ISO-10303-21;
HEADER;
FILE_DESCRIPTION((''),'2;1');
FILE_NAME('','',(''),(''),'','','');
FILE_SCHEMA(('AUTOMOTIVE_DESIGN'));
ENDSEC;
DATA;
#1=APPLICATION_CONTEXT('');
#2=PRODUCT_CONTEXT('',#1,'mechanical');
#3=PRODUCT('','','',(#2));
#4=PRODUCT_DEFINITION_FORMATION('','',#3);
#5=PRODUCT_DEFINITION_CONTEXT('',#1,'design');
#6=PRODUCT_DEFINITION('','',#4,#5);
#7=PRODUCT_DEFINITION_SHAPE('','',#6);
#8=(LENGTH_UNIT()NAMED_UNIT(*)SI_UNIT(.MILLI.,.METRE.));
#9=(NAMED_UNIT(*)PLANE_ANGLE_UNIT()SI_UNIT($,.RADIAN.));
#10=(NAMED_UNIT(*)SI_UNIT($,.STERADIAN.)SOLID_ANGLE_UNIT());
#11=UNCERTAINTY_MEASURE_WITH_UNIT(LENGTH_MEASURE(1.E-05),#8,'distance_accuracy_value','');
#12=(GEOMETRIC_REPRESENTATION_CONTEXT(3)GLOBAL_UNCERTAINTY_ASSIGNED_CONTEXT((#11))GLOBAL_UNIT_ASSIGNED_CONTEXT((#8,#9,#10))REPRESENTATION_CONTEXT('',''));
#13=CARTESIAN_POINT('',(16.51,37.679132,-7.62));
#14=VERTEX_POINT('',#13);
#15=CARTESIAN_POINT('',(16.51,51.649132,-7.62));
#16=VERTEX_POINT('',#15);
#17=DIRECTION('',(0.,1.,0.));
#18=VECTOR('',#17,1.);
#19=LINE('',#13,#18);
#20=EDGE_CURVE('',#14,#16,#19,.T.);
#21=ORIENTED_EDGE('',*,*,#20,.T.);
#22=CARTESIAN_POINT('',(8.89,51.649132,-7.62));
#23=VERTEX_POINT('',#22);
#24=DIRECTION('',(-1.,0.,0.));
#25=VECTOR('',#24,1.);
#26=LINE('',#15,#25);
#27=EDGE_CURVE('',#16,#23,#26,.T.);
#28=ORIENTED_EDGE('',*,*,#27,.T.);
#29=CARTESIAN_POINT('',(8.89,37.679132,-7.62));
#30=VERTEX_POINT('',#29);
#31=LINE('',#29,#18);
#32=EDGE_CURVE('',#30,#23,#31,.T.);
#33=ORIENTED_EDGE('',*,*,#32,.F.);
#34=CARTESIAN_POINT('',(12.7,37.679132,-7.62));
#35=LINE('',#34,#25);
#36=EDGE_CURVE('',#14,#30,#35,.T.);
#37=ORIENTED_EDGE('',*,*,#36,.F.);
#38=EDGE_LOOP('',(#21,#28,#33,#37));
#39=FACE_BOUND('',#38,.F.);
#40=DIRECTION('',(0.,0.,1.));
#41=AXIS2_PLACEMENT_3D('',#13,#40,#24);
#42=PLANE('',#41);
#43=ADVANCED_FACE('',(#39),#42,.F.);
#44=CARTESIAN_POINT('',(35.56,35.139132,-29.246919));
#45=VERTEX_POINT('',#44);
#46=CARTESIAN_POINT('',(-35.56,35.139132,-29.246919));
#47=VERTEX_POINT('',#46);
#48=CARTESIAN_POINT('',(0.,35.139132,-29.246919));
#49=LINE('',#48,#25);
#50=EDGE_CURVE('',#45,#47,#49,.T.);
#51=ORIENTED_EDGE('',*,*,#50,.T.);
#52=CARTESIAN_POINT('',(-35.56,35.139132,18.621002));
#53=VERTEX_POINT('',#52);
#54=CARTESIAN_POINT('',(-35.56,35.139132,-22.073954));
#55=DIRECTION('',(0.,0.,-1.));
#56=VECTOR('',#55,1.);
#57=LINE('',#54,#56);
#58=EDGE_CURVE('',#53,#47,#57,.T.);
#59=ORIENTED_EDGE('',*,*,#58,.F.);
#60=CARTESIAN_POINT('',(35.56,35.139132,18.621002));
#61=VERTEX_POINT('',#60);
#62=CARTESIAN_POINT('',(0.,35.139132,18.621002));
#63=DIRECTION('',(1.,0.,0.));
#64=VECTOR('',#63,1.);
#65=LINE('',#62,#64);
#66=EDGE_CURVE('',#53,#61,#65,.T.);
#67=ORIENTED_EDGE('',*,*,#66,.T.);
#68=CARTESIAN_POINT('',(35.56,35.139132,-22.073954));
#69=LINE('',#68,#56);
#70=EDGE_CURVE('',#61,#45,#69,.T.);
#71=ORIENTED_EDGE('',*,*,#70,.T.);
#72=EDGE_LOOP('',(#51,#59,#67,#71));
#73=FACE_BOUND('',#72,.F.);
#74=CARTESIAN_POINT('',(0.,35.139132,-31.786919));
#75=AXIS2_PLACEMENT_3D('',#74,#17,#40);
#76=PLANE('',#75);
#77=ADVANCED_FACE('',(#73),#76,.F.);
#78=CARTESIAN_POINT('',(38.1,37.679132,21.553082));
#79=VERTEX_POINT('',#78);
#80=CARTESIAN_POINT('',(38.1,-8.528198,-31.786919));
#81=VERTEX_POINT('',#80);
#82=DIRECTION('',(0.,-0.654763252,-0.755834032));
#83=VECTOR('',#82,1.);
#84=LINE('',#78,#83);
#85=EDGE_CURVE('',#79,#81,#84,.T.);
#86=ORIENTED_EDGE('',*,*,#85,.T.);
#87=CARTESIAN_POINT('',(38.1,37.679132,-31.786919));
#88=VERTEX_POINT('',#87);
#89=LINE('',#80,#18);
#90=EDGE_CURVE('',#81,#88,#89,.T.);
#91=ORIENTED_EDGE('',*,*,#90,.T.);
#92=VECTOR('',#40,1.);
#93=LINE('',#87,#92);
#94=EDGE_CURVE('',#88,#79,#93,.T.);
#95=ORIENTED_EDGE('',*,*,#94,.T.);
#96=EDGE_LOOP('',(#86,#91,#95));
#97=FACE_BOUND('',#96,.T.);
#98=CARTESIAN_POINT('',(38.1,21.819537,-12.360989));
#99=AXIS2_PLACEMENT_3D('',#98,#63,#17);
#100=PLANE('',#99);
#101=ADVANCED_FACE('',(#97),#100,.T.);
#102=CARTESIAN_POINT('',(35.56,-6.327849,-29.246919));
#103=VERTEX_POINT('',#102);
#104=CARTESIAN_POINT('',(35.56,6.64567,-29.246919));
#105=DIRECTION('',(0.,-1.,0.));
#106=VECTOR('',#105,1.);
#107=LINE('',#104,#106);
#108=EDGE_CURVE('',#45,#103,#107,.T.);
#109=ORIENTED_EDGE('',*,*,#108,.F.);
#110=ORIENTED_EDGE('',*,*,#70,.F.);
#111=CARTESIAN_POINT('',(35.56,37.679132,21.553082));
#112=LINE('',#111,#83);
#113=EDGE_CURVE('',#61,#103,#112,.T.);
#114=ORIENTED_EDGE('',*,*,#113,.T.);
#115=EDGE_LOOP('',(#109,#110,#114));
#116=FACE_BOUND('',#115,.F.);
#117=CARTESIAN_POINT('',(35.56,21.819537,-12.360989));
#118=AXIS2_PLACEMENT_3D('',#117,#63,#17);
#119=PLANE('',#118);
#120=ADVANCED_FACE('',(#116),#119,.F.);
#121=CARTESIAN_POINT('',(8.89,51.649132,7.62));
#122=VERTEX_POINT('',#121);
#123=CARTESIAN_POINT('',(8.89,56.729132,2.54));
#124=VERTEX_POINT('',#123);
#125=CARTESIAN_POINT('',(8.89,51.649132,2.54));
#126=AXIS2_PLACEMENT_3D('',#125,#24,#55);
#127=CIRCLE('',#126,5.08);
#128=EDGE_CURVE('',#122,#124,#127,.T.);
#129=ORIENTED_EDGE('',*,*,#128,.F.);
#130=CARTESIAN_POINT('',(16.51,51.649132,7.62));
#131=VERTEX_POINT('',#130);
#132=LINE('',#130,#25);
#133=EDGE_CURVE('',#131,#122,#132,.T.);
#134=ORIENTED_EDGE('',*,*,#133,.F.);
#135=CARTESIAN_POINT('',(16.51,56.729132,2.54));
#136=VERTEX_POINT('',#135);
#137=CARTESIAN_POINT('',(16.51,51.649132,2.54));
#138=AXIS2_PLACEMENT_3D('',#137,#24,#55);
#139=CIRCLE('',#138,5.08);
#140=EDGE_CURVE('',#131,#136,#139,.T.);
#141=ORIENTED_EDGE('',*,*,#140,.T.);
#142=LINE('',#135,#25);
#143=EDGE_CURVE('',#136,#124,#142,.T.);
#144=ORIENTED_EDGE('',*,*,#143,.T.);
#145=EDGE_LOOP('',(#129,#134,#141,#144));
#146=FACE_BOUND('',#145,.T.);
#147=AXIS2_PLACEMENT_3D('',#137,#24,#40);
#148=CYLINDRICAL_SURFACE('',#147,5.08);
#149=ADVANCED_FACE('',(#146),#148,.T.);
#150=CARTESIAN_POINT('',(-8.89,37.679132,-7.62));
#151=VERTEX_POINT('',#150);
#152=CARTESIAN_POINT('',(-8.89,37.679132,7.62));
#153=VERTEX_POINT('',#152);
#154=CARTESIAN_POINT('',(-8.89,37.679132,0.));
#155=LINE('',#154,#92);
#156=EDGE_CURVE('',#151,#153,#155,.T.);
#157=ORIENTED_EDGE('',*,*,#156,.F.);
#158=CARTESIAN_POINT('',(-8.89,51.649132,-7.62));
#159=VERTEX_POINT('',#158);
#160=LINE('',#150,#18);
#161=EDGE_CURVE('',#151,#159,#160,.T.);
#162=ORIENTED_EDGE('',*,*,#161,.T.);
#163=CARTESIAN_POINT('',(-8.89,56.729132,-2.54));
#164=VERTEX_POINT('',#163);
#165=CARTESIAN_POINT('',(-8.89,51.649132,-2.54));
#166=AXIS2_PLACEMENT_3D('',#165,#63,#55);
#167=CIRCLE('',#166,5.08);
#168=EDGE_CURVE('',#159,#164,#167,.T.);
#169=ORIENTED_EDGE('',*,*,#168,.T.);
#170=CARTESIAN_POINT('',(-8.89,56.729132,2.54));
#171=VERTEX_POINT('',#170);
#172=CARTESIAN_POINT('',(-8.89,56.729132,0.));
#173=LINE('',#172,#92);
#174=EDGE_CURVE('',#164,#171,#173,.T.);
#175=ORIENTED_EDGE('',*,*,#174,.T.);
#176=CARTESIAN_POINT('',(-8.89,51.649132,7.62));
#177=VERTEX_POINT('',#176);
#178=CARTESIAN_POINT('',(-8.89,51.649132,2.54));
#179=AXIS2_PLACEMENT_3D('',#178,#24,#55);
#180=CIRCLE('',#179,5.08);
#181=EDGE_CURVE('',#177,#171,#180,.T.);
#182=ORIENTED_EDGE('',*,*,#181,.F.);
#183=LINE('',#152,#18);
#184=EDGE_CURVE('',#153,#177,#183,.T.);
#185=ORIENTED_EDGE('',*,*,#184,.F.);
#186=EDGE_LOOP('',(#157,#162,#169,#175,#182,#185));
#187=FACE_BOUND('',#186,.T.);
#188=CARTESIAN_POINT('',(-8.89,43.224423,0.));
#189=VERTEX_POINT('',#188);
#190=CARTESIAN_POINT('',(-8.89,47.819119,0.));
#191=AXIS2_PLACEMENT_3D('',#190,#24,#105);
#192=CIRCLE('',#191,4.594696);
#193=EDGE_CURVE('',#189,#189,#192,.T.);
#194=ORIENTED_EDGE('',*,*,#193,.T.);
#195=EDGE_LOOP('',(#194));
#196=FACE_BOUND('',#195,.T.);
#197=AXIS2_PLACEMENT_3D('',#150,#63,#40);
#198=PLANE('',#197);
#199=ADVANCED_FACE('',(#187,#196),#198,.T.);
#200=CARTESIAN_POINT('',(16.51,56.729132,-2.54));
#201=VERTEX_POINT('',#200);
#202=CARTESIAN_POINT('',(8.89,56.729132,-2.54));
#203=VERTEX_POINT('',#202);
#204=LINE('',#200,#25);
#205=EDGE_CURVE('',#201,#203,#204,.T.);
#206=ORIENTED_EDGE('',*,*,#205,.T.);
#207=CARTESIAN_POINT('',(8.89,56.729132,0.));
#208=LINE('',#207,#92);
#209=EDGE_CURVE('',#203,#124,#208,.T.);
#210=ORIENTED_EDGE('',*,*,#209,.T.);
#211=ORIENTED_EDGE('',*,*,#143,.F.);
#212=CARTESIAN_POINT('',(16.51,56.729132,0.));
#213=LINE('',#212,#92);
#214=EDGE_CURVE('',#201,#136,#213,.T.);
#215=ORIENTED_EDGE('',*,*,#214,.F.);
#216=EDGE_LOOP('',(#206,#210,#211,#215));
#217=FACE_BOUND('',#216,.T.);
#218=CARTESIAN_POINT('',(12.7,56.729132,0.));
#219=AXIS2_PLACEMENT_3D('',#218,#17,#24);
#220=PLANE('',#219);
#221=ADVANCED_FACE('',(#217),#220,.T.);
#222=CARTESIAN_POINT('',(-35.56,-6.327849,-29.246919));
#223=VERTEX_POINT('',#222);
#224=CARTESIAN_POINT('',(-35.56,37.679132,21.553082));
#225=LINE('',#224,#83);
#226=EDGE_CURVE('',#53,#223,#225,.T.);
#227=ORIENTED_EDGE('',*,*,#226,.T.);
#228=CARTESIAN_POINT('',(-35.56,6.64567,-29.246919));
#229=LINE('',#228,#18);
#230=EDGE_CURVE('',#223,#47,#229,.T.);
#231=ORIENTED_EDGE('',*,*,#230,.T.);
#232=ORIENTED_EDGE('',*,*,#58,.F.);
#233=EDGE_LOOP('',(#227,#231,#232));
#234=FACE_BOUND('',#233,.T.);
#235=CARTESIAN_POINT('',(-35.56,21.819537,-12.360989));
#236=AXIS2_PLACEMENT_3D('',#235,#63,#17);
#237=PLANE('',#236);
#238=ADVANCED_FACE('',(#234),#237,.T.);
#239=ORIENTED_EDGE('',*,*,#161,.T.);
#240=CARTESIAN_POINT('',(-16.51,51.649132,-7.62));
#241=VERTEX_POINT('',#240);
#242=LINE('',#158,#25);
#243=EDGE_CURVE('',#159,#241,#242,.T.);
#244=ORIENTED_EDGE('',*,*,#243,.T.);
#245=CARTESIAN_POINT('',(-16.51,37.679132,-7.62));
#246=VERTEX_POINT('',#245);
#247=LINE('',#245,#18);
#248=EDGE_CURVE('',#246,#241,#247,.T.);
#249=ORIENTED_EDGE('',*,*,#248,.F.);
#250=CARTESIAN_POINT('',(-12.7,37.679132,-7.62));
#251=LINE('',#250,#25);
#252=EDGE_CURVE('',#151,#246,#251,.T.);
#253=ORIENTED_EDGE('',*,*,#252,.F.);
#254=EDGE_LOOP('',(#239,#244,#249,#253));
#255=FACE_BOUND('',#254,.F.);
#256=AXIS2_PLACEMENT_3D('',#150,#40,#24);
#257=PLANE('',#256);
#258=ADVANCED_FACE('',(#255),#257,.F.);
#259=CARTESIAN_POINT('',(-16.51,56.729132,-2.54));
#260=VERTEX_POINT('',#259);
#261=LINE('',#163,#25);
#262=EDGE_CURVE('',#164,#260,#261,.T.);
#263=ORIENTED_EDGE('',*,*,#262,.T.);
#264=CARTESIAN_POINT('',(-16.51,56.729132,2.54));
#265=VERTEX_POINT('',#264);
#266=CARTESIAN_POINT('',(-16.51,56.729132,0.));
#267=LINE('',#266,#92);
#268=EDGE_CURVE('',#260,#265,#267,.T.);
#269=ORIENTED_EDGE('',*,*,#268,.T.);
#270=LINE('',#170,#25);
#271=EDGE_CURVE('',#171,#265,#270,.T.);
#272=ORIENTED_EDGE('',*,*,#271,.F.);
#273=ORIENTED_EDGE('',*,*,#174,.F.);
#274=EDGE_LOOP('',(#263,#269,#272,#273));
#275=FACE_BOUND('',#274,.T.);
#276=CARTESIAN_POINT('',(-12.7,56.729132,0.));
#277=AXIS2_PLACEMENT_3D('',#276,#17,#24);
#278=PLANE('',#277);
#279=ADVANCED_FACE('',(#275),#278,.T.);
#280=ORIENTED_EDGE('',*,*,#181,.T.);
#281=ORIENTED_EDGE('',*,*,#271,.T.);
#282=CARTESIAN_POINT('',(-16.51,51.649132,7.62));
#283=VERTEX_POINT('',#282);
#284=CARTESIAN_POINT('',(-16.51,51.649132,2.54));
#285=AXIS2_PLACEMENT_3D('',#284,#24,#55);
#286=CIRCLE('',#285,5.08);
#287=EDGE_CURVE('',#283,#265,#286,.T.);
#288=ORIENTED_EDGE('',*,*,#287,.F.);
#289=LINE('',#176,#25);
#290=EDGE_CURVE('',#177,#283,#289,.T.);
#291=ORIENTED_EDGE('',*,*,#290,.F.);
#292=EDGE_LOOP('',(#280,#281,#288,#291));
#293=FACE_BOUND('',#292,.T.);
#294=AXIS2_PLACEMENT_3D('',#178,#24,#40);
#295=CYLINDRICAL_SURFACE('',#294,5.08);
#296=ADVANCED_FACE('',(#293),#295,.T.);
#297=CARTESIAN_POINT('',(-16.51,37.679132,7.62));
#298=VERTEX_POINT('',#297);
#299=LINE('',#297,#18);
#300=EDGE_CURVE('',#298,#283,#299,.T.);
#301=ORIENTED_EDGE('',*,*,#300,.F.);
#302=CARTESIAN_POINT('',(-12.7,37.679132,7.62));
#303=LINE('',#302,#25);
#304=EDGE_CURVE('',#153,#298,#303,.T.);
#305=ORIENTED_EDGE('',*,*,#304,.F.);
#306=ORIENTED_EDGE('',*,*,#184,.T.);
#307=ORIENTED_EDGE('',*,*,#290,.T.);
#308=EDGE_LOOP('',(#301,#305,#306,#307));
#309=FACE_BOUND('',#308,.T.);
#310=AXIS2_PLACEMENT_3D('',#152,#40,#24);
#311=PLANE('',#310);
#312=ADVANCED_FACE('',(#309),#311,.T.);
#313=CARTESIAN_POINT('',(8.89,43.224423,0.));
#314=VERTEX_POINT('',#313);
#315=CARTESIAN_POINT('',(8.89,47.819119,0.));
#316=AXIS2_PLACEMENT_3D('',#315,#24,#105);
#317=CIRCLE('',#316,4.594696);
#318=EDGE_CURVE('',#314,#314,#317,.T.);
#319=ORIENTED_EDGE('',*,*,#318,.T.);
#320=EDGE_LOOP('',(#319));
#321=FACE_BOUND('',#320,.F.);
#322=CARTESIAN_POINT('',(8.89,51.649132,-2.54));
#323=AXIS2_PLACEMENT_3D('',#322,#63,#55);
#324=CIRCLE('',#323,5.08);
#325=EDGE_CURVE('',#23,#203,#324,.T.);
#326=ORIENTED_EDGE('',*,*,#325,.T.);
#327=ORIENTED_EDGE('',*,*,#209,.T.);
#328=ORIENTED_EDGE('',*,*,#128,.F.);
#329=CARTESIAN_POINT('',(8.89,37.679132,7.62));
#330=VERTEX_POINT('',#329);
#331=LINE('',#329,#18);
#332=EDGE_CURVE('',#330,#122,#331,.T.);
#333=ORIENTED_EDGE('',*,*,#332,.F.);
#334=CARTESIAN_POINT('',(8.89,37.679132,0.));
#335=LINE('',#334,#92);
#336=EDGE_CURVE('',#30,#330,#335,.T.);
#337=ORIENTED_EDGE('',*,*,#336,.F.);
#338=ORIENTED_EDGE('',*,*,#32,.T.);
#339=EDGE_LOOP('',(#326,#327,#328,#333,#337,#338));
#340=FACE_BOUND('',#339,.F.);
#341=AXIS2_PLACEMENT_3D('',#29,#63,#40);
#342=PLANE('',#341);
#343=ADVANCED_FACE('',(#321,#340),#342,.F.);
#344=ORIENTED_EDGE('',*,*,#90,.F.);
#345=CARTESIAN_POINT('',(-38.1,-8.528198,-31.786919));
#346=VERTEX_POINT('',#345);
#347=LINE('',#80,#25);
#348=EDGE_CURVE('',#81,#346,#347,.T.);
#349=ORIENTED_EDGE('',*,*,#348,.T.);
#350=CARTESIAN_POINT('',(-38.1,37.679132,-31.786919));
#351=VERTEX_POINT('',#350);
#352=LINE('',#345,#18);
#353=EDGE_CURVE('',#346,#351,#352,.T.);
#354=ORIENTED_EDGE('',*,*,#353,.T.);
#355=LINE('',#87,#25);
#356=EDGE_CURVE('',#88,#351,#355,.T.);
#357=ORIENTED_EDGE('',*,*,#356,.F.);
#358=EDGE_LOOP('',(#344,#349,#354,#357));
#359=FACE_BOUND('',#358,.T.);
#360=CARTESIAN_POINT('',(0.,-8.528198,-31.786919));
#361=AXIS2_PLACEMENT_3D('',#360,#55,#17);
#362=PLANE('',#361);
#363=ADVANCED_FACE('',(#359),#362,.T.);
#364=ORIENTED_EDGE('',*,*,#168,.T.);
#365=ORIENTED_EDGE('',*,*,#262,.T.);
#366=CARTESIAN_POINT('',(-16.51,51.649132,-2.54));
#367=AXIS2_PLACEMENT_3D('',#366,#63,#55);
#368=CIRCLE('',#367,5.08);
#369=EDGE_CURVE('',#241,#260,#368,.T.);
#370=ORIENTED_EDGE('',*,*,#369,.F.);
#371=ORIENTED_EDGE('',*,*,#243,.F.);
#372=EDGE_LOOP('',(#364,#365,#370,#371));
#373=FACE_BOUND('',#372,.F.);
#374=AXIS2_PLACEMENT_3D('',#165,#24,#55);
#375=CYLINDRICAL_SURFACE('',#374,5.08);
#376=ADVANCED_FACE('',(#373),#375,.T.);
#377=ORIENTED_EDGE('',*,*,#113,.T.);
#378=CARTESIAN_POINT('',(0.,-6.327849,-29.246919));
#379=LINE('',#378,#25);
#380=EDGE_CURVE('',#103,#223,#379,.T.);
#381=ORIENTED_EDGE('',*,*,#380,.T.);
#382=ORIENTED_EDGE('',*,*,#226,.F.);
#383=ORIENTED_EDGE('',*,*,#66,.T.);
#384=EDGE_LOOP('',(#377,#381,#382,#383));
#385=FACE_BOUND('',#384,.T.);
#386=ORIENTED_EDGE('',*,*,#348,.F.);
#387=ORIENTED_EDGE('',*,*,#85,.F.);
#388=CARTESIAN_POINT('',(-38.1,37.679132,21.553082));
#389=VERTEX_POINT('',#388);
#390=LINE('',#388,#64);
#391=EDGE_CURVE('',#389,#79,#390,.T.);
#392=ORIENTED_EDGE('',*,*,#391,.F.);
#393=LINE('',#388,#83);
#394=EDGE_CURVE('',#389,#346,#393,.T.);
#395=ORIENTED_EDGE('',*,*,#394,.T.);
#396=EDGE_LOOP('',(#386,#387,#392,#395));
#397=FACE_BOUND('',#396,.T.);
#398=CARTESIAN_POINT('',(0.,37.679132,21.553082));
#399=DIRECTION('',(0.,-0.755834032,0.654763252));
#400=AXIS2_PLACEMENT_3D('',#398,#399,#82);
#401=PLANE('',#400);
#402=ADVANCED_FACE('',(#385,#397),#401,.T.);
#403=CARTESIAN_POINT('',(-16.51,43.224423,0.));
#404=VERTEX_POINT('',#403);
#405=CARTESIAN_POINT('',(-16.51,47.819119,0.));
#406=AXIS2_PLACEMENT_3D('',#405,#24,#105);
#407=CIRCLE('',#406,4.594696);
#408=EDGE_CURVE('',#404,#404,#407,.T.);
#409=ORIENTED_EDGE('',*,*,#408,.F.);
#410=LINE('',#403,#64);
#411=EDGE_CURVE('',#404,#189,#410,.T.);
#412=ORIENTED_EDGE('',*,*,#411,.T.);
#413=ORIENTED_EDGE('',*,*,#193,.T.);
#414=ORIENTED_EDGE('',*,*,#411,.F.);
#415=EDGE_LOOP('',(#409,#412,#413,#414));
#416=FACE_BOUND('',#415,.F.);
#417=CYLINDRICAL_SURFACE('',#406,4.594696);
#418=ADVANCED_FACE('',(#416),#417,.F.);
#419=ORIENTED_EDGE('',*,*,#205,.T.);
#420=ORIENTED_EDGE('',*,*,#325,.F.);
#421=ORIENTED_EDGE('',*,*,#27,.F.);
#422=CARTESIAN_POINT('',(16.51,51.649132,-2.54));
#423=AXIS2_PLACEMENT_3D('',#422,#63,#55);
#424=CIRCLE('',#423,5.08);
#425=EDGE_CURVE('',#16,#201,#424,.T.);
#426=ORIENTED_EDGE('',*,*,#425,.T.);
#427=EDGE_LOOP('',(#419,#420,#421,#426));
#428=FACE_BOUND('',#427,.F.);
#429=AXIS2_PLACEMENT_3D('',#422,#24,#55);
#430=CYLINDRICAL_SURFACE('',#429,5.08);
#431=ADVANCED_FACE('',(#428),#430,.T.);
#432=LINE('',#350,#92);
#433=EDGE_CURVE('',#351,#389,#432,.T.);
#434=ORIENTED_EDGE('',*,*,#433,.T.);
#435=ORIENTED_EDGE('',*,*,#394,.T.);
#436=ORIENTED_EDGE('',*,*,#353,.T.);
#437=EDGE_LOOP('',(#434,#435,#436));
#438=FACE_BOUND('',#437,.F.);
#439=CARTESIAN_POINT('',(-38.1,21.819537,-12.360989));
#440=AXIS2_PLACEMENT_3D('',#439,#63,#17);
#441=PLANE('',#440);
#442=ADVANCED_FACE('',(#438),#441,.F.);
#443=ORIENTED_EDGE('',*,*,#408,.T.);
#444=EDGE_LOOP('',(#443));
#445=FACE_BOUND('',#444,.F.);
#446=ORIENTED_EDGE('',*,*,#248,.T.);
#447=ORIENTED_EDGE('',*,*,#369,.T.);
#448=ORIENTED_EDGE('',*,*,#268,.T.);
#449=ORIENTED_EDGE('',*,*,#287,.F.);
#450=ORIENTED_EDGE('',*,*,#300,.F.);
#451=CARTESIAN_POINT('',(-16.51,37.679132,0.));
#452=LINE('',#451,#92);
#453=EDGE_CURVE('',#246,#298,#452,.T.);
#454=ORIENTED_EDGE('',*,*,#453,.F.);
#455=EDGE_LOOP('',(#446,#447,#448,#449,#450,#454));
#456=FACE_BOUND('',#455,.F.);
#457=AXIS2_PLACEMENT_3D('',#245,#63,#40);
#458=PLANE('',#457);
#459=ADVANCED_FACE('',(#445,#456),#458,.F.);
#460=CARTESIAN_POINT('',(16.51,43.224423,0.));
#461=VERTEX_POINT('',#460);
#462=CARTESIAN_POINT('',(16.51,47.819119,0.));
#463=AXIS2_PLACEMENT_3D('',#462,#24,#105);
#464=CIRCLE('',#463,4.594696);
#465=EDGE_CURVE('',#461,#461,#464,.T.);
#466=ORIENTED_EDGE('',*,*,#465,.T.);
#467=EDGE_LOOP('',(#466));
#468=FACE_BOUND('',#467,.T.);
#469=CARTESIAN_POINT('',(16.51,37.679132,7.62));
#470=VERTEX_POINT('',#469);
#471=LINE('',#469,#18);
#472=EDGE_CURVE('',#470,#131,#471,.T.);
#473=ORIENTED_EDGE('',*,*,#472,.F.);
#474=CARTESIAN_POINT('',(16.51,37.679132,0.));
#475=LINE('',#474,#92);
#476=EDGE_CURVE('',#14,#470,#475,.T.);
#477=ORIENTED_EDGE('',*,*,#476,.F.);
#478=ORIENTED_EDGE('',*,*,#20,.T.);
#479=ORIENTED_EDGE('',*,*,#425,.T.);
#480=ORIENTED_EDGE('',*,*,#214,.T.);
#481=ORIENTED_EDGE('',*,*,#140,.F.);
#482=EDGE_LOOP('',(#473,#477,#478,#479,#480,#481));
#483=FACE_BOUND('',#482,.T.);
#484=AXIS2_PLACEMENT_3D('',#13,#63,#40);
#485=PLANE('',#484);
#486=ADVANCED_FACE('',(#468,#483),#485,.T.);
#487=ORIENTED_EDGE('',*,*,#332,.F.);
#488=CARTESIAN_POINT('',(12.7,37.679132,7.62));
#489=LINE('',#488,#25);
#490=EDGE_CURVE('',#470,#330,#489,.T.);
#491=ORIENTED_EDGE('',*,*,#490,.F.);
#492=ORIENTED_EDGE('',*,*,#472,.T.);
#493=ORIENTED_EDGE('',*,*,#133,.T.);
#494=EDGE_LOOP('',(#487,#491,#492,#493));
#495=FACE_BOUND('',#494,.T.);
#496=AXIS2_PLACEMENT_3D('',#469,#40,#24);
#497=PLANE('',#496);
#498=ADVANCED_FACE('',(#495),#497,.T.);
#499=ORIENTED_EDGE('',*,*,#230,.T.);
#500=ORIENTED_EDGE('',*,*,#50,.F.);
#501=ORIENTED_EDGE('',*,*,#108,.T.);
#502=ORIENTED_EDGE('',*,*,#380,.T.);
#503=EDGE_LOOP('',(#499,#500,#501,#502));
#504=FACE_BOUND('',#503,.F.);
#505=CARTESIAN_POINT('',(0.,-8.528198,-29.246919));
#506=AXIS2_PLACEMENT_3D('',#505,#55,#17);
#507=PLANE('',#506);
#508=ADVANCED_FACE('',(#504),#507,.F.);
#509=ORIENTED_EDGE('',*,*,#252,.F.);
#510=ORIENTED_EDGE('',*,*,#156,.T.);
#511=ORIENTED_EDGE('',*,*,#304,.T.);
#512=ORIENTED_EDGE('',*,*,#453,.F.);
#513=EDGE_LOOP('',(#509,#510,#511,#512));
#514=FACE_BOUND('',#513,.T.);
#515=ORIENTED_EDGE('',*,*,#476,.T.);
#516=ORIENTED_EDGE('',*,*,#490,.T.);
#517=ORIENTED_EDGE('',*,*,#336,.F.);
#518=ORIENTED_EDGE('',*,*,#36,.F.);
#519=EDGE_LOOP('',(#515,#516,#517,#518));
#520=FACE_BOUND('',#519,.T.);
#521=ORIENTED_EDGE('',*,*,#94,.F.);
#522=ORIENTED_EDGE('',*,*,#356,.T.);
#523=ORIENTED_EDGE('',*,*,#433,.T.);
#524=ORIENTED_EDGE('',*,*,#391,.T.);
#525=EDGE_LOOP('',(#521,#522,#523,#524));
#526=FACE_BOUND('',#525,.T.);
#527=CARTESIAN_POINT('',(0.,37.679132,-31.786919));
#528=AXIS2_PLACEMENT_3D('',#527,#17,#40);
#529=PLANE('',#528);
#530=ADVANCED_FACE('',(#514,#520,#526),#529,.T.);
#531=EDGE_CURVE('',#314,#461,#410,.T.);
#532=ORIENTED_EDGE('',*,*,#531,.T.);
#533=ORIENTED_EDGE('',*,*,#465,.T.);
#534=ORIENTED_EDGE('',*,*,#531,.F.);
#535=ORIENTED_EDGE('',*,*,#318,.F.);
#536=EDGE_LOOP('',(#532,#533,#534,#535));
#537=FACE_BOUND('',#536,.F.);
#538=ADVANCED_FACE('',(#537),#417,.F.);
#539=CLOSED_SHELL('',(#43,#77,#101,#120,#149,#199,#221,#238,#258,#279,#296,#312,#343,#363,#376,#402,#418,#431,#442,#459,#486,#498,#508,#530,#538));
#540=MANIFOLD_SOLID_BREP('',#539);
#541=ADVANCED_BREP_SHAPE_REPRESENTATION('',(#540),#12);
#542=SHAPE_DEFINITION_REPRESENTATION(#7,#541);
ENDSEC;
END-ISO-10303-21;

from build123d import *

# Parameters (mm, degrees)
F1_DEPTH = 38.1
F2_T     = -2.54
F3_W     = 7.62
F3_H     = 15.24
F4_DEPTH = 19.05
F5_R     = 5.08
F6_R     = 4.594696
F7_DEPTH = 39.878


with BuildPart() as f1:
    # F0 (on Right) → F1 (new body, symmetric)
    with BuildSketch(Plane.YZ):
        Polygon((37.679132, -31.786919), (37.679132, 21.553082), (-8.528198, -31.786919), align=None)
    extrude(amount=F1_DEPTH, both=True)

    # F2
    f2_openings = [f1.faces().sort_by_distance(p)[0] for p in [
        (0, 14.575467, -5.116918),
    ]]
    offset(amount=F2_T, openings=f2_openings)

    # F3 (on face) → F4 (join)
    with BuildSketch(Plane(origin=(0, 37.679132, 0), x_dir=(-1, 0, 0), z_dir=(0, 1, 0))):
        with Locations((-12.7, 0)):
            Rectangle(F3_W, F3_H)
        with Locations((12.7, 0)):
            Rectangle(F3_W, F3_H)
    extrude(amount=F4_DEPTH)

    # F5
    f5_edges = [f1.edges().sort_by_distance(p)[0] for p in [
        (12.7, 56.729132, 7.62),
        (12.7, 56.729132, -7.62),
        (-12.7, 56.729132, -7.62),
        (-12.7, 56.729132, 7.62),
    ]]
    fillet(f5_edges, radius=F5_R)

    # F6 (on face) → F7 (cut)
    with BuildSketch(Plane(origin=(-16.51, 0, 0), x_dir=(0, -1, 0), z_dir=(-1, 0, 0))):
        with Locations((-47.819119, 0)):
            Circle(F6_R)
    extrude(amount=-F7_DEPTH, mode=Mode.SUBTRACT)


solid = f1.part
